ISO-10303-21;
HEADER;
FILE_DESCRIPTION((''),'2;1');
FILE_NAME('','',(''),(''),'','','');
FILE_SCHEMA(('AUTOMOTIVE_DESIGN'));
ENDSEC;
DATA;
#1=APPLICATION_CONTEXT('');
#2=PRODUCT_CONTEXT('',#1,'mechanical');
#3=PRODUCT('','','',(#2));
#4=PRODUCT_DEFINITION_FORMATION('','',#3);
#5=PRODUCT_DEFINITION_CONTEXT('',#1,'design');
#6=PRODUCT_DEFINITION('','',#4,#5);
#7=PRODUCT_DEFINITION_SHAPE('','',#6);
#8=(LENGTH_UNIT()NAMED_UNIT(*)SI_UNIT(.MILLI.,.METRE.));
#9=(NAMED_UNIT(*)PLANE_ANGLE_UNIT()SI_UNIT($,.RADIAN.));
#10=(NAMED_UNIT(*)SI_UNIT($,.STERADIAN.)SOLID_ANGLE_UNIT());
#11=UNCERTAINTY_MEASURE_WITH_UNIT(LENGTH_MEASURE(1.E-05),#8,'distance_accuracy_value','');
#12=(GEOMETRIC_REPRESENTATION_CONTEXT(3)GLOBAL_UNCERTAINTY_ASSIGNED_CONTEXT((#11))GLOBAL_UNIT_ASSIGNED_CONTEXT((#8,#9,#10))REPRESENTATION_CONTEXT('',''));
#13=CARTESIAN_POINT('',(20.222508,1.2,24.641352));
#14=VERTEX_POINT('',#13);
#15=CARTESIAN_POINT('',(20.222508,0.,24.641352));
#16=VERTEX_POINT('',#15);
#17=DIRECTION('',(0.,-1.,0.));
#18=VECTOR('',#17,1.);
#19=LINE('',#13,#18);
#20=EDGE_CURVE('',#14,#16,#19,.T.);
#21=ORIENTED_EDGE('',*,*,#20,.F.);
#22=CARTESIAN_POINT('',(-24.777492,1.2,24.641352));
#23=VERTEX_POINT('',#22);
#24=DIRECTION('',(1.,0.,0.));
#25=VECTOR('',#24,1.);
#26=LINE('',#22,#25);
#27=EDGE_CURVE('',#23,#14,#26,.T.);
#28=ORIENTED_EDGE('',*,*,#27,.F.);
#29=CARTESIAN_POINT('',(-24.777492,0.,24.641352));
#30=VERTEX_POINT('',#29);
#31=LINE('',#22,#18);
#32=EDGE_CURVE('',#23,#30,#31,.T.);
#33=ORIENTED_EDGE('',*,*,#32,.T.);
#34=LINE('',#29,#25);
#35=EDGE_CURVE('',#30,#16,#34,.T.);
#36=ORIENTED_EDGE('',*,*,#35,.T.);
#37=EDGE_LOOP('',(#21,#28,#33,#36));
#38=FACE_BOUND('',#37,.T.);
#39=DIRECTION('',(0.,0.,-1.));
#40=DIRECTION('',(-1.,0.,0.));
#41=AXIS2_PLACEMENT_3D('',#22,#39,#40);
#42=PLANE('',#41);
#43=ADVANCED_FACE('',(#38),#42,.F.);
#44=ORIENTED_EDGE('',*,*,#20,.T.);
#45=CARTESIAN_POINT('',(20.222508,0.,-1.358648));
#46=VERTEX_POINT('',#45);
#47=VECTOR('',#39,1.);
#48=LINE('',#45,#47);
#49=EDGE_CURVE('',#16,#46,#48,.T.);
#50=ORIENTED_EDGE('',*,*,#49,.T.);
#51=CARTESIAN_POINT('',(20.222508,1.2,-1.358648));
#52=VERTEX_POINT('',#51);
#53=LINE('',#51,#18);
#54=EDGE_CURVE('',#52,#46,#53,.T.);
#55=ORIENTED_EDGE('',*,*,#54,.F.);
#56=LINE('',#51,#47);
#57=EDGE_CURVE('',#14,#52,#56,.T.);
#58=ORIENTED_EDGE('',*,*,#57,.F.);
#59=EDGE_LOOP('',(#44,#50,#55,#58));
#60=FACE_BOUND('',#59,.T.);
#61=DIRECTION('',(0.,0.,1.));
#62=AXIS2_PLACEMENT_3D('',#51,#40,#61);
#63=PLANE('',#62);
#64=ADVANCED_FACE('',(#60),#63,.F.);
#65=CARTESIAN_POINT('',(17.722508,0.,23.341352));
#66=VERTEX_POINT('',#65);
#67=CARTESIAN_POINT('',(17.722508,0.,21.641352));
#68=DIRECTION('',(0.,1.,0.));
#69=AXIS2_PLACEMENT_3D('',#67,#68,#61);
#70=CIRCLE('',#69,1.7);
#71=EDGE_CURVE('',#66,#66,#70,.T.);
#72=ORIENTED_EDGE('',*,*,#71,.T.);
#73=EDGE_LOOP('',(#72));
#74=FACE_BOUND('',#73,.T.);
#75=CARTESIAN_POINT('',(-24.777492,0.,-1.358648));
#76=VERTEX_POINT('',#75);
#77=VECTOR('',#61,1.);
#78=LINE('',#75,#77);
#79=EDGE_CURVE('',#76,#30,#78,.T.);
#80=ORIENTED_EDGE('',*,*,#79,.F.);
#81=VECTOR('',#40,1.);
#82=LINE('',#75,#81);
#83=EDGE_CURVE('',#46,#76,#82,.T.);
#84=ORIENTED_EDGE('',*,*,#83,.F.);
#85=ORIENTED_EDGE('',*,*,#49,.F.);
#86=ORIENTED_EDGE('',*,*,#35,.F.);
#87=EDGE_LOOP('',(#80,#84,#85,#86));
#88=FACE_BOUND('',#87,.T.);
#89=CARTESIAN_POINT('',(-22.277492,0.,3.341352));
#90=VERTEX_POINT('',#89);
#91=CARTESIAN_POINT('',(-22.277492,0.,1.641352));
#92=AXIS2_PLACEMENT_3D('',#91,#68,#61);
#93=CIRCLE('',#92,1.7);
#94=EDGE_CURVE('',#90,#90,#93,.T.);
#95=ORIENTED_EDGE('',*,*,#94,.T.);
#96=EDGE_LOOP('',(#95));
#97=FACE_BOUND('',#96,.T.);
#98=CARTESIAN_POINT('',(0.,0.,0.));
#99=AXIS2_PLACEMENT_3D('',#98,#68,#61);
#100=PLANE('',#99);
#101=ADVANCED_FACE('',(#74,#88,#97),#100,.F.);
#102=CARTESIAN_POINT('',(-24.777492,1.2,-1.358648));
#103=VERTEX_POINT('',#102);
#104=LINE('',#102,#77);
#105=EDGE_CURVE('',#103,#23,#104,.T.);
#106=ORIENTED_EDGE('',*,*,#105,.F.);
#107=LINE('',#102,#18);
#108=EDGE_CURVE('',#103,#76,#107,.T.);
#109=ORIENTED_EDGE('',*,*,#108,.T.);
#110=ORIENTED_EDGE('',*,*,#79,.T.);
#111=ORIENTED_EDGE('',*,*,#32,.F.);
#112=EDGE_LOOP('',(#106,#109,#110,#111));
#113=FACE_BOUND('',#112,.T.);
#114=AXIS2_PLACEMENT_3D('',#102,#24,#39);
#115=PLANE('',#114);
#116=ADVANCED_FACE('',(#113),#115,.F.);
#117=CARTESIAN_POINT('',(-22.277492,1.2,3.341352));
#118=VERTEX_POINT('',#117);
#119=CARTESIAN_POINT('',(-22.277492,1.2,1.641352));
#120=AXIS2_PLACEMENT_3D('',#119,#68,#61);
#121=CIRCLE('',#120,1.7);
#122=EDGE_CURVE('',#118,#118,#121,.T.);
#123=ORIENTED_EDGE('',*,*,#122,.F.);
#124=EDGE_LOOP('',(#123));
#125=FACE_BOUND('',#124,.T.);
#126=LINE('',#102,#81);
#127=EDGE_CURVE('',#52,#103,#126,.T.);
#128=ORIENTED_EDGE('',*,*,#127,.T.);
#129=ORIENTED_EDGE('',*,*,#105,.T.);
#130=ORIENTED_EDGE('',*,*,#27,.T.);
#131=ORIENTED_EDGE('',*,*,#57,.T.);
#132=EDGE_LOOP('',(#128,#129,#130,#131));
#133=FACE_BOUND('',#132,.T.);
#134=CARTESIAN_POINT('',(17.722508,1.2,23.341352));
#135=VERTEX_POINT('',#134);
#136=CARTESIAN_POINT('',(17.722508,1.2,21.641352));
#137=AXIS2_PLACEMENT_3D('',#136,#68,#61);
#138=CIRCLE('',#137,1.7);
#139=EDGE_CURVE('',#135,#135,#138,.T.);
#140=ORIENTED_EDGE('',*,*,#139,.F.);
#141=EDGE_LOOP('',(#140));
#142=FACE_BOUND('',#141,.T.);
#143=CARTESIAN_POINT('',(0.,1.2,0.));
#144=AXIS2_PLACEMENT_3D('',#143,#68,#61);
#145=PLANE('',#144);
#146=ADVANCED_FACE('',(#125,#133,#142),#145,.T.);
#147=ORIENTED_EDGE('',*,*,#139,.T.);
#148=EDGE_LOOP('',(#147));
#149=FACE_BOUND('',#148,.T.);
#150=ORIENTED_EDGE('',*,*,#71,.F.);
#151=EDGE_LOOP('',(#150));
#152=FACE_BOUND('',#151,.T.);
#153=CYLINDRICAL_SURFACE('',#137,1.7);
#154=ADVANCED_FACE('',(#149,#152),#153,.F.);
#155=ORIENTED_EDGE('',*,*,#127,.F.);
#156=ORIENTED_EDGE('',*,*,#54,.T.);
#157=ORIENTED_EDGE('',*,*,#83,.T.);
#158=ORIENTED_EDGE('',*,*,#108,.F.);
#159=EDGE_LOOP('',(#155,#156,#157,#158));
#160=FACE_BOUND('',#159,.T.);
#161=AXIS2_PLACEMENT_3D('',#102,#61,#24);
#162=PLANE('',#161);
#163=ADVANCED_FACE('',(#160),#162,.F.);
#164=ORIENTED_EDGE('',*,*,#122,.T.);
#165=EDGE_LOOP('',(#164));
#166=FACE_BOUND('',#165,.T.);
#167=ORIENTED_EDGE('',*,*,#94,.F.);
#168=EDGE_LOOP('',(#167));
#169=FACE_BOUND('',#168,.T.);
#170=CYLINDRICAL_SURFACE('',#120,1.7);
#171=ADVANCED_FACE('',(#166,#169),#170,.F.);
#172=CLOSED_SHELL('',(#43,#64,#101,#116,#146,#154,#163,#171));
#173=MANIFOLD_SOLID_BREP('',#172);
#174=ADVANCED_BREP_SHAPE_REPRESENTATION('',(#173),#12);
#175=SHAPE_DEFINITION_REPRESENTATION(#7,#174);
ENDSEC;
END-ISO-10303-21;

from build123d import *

# Parameters (mm, degrees)
SKETCH1_W            = 45
SKETCH1_H            = 26
BOSS_EXTRUDE1_DEPTH  = 1.2
M3_CLEARANCE_HOLE1_D = 3.4


with BuildPart() as part:
    # Sketch1 → Boss-Extrude1 (new body)
    with BuildSketch(Plane(origin=(0, 0, 0), x_dir=(1, 0, 0), z_dir=(0, 1, 0))):
        with Locations((-2.277491725, -11.641351661)):
            Rectangle(SKETCH1_W, SKETCH1_H)
    extrude(amount=BOSS_EXTRUDE1_DEPTH)

    # M3 Clearance Hole1 (through all)
    with Locations(Plane(origin=(-22.277491725, 1.2, 1.641351661), x_dir=(0, 0, 1), z_dir=(0, 1, 0))):
        with Locations((0, 0), (20, 40)):
            Hole(M3_CLEARANCE_HOLE1_D / 2)


solid = part.part
